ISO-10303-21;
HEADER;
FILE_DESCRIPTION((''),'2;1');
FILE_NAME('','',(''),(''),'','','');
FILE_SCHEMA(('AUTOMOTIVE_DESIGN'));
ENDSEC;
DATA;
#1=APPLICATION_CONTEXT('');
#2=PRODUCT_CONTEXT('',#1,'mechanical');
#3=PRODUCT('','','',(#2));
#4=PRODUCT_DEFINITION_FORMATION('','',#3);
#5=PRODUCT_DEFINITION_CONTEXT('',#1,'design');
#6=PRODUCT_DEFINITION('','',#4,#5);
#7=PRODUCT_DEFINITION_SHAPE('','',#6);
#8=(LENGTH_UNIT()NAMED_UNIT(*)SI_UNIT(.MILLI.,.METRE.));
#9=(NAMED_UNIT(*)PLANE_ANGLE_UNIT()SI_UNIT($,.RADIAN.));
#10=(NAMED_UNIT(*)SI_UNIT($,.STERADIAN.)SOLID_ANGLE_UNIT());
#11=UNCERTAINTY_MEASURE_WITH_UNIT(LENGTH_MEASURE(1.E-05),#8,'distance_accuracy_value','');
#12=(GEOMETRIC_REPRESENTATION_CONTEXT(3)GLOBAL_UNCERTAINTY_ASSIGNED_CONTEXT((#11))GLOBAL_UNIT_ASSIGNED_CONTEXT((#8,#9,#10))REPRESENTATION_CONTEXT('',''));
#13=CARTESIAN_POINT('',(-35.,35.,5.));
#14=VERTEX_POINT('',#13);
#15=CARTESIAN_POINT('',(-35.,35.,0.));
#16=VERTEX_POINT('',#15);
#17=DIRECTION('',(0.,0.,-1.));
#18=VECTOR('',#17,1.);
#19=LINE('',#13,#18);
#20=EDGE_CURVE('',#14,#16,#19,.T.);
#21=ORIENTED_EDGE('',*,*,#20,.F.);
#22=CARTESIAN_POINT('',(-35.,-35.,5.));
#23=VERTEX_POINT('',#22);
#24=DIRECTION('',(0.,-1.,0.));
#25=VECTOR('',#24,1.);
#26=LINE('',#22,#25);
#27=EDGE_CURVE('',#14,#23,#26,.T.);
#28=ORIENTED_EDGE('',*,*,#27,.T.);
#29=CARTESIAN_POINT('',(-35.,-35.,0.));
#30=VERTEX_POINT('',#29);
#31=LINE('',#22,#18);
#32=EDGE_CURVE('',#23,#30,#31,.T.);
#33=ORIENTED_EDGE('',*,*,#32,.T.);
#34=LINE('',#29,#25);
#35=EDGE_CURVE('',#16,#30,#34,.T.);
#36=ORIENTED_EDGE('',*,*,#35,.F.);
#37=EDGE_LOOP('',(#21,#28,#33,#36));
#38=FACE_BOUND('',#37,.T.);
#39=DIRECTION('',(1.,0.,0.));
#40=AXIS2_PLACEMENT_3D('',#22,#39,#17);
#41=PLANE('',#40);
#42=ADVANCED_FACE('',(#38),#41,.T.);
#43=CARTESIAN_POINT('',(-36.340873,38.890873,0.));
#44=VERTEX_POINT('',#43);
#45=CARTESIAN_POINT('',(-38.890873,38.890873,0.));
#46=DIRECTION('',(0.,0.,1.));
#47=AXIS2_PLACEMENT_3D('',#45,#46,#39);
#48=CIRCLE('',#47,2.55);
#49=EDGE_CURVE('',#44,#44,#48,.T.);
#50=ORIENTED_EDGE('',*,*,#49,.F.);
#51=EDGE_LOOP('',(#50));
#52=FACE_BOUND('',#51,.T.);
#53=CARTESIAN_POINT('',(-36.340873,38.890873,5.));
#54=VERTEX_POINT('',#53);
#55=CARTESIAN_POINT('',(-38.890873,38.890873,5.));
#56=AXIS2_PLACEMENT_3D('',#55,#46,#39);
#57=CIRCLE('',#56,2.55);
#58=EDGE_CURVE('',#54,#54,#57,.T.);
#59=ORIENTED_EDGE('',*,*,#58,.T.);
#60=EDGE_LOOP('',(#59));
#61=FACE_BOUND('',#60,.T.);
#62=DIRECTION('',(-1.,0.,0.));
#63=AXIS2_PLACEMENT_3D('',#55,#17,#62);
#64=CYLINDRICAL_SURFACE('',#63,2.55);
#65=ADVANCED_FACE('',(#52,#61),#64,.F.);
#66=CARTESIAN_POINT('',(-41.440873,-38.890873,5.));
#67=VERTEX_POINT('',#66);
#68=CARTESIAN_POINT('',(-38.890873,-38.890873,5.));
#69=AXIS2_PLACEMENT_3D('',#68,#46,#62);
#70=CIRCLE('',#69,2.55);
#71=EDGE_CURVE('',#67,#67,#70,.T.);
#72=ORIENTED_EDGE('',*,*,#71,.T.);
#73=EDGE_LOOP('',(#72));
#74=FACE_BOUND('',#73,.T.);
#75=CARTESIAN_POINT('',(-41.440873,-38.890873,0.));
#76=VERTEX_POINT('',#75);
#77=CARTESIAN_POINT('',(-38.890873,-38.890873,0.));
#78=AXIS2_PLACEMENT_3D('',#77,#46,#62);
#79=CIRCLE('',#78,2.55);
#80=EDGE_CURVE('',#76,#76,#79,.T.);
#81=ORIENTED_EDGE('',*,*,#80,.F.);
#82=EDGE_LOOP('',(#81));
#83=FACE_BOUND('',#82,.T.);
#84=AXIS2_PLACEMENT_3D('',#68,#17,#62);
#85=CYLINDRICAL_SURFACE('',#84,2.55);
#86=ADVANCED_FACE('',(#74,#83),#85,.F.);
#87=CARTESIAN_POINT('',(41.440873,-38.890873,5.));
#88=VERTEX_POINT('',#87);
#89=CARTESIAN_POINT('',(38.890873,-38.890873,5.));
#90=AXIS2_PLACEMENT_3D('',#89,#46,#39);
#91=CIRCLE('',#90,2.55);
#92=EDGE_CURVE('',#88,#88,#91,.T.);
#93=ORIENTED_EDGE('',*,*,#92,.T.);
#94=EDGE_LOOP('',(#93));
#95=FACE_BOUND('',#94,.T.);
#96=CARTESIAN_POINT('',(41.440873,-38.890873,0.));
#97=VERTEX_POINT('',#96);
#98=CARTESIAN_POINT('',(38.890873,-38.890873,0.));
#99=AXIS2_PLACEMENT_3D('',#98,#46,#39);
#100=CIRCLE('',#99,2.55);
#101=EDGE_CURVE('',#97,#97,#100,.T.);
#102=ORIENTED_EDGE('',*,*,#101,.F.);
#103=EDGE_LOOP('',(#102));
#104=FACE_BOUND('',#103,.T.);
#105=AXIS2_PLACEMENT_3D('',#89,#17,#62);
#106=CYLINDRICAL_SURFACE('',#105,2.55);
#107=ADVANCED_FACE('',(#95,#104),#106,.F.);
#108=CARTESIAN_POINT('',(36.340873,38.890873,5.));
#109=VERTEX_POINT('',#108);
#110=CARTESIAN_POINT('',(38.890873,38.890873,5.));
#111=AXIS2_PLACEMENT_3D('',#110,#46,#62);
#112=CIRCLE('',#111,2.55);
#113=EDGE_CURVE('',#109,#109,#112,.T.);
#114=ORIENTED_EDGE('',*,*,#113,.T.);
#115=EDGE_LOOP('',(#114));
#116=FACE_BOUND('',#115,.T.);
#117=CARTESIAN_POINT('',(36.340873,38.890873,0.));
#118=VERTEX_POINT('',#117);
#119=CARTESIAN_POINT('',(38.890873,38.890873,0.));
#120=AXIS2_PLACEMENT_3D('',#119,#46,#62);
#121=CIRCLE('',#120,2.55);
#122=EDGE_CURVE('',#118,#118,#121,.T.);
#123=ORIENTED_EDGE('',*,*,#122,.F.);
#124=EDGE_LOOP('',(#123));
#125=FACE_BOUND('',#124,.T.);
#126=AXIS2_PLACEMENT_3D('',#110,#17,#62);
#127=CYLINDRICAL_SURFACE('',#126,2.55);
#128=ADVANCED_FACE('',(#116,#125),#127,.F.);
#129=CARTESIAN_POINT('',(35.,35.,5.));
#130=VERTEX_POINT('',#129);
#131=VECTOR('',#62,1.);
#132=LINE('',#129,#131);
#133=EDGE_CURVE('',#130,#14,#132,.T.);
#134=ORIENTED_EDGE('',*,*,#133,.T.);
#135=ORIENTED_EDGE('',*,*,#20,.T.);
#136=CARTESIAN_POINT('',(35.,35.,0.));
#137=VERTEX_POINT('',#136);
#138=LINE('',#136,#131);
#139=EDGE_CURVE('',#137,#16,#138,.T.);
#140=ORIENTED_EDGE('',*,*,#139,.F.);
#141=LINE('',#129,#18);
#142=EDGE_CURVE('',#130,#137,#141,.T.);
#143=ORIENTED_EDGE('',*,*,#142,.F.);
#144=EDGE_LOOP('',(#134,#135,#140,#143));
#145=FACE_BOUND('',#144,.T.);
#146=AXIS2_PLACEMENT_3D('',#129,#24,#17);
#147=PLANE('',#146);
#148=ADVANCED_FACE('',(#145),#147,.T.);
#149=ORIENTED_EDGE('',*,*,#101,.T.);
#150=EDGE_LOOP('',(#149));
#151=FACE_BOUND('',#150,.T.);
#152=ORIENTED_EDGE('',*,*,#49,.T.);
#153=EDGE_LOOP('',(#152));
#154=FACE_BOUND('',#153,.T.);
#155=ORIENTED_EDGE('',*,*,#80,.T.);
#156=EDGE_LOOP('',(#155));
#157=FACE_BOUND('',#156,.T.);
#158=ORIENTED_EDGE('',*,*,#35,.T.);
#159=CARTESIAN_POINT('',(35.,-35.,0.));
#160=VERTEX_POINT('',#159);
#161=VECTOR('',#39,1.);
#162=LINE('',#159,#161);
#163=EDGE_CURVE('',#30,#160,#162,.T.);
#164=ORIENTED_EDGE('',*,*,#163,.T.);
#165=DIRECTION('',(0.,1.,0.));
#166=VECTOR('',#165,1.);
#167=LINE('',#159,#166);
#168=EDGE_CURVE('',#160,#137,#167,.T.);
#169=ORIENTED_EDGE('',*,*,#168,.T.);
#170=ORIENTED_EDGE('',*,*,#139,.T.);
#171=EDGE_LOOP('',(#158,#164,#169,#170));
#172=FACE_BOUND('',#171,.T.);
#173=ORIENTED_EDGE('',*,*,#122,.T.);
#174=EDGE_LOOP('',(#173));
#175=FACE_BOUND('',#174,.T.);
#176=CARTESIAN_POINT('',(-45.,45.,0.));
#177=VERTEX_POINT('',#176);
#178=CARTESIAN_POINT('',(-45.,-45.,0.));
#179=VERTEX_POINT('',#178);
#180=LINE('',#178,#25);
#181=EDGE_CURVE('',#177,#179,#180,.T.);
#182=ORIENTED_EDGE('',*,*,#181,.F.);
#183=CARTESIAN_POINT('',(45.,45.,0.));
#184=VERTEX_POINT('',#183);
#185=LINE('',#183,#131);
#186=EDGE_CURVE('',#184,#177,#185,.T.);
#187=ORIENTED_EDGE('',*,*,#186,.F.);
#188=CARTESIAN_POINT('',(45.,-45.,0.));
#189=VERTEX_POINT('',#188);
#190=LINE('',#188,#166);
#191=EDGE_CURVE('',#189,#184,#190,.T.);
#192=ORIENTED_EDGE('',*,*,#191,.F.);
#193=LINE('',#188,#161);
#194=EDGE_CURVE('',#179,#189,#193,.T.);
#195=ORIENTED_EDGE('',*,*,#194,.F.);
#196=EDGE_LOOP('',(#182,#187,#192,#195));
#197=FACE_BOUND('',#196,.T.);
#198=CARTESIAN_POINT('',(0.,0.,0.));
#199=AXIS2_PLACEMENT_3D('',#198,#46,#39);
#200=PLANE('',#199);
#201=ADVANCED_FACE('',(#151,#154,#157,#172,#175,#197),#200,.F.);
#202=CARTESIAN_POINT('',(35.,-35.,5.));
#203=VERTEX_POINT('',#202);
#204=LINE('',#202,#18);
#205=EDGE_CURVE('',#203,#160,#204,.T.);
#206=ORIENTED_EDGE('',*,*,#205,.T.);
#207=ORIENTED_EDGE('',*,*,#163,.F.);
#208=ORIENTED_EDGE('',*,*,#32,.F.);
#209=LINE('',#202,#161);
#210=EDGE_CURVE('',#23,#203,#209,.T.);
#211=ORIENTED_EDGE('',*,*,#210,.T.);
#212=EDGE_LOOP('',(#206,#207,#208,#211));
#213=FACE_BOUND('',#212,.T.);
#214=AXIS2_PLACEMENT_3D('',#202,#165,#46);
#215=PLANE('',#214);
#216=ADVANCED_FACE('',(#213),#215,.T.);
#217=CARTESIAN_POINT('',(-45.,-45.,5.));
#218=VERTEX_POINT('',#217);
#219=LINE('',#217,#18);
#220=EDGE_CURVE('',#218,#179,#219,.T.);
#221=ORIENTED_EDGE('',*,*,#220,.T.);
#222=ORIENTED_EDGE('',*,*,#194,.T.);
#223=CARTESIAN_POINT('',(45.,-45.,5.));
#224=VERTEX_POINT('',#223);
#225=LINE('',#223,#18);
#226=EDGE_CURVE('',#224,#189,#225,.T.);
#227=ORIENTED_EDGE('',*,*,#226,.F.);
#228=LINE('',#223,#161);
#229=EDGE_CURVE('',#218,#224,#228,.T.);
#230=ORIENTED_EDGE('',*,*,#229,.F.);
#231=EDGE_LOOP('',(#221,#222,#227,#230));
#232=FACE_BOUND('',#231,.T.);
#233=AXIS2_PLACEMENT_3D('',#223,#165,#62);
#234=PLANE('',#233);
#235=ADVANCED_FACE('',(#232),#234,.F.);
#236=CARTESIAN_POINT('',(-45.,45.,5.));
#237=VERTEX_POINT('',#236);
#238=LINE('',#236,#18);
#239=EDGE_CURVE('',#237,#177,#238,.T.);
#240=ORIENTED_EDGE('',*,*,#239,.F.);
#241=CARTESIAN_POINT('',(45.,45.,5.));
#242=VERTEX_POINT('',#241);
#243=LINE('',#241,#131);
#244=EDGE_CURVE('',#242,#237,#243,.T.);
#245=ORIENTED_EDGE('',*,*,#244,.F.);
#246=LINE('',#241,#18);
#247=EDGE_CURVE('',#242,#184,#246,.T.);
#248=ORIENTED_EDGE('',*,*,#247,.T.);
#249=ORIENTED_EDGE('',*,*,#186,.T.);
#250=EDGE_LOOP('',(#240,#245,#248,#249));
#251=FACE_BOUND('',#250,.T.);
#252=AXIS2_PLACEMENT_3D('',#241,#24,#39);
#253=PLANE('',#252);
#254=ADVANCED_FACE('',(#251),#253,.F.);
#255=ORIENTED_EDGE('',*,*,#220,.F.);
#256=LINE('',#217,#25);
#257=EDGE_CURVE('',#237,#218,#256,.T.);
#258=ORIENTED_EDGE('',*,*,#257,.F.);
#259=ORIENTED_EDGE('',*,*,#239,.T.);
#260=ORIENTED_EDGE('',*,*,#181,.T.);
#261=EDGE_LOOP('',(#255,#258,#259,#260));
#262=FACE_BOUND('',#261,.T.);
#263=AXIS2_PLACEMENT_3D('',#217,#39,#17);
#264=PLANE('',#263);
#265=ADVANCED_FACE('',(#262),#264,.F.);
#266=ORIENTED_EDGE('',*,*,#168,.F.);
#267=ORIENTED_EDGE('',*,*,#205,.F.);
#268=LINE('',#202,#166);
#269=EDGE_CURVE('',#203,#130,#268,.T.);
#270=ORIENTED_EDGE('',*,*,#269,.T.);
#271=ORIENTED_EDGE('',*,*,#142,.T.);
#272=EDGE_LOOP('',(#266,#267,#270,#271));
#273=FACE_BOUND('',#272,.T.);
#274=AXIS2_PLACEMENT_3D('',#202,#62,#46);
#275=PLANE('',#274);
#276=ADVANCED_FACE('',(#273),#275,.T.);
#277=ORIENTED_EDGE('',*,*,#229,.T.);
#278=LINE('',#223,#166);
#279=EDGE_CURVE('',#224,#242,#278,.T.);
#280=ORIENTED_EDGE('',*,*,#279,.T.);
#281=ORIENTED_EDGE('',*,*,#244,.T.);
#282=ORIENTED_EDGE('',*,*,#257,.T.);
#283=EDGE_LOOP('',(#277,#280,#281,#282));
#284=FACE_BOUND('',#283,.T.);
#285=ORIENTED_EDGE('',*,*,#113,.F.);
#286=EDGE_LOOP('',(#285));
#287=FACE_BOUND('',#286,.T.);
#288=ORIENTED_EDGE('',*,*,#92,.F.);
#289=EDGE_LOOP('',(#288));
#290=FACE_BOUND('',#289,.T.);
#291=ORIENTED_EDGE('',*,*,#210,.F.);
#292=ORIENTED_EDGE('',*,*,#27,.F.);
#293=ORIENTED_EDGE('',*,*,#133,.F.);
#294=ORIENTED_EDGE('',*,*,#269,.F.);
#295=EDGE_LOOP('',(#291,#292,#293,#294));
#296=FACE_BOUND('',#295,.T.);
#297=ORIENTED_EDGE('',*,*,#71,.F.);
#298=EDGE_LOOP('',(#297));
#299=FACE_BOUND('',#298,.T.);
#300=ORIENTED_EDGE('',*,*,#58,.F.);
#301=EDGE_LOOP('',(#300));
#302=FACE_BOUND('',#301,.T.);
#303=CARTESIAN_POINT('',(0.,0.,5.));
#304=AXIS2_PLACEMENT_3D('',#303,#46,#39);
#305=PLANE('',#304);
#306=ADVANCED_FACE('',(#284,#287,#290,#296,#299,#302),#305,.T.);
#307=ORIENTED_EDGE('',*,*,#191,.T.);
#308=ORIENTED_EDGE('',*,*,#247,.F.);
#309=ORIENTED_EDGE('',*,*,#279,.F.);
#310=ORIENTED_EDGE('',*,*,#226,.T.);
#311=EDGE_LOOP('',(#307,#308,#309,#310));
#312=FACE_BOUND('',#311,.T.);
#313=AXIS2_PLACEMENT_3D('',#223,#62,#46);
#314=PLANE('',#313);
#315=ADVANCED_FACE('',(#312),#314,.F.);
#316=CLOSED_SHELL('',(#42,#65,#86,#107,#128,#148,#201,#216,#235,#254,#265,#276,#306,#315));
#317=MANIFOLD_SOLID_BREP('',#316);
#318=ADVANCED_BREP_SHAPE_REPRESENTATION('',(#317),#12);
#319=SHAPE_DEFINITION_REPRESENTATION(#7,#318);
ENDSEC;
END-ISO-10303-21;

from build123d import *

# Parameters (mm, degrees)
SKETCH1_W           = 90
SKETCH1_H           = 90
SKETCH1_R           = 2.55
SKETCH1_W_2         = 70
SKETCH1_H_2         = 70
BOSS_EXTRUDE1_DEPTH = 5


with BuildPart() as part:
    # Sketch1 → Boss-Extrude1 (new body)
    with BuildSketch(Plane.XY):
        Rectangle(SKETCH1_W, SKETCH1_H)
        with Locations((-38.890872965, 38.890872965)):
            Circle(SKETCH1_R, mode=Mode.SUBTRACT)
        with Locations(Location((38.890872965, 38.890872965, 0), (0, 0, 180))):
            Circle(SKETCH1_R, mode=Mode.SUBTRACT)
        with Locations((38.890872965, -38.890872965)):
            Circle(SKETCH1_R, mode=Mode.SUBTRACT)
        with Locations(Location((-38.890872965, -38.890872965, 0), (0, 0, 180))):
            Circle(SKETCH1_R, mode=Mode.SUBTRACT)
        Rectangle(SKETCH1_W_2, SKETCH1_H_2, mode=Mode.SUBTRACT)
    extrude(amount=BOSS_EXTRUDE1_DEPTH)


solid = part.part
